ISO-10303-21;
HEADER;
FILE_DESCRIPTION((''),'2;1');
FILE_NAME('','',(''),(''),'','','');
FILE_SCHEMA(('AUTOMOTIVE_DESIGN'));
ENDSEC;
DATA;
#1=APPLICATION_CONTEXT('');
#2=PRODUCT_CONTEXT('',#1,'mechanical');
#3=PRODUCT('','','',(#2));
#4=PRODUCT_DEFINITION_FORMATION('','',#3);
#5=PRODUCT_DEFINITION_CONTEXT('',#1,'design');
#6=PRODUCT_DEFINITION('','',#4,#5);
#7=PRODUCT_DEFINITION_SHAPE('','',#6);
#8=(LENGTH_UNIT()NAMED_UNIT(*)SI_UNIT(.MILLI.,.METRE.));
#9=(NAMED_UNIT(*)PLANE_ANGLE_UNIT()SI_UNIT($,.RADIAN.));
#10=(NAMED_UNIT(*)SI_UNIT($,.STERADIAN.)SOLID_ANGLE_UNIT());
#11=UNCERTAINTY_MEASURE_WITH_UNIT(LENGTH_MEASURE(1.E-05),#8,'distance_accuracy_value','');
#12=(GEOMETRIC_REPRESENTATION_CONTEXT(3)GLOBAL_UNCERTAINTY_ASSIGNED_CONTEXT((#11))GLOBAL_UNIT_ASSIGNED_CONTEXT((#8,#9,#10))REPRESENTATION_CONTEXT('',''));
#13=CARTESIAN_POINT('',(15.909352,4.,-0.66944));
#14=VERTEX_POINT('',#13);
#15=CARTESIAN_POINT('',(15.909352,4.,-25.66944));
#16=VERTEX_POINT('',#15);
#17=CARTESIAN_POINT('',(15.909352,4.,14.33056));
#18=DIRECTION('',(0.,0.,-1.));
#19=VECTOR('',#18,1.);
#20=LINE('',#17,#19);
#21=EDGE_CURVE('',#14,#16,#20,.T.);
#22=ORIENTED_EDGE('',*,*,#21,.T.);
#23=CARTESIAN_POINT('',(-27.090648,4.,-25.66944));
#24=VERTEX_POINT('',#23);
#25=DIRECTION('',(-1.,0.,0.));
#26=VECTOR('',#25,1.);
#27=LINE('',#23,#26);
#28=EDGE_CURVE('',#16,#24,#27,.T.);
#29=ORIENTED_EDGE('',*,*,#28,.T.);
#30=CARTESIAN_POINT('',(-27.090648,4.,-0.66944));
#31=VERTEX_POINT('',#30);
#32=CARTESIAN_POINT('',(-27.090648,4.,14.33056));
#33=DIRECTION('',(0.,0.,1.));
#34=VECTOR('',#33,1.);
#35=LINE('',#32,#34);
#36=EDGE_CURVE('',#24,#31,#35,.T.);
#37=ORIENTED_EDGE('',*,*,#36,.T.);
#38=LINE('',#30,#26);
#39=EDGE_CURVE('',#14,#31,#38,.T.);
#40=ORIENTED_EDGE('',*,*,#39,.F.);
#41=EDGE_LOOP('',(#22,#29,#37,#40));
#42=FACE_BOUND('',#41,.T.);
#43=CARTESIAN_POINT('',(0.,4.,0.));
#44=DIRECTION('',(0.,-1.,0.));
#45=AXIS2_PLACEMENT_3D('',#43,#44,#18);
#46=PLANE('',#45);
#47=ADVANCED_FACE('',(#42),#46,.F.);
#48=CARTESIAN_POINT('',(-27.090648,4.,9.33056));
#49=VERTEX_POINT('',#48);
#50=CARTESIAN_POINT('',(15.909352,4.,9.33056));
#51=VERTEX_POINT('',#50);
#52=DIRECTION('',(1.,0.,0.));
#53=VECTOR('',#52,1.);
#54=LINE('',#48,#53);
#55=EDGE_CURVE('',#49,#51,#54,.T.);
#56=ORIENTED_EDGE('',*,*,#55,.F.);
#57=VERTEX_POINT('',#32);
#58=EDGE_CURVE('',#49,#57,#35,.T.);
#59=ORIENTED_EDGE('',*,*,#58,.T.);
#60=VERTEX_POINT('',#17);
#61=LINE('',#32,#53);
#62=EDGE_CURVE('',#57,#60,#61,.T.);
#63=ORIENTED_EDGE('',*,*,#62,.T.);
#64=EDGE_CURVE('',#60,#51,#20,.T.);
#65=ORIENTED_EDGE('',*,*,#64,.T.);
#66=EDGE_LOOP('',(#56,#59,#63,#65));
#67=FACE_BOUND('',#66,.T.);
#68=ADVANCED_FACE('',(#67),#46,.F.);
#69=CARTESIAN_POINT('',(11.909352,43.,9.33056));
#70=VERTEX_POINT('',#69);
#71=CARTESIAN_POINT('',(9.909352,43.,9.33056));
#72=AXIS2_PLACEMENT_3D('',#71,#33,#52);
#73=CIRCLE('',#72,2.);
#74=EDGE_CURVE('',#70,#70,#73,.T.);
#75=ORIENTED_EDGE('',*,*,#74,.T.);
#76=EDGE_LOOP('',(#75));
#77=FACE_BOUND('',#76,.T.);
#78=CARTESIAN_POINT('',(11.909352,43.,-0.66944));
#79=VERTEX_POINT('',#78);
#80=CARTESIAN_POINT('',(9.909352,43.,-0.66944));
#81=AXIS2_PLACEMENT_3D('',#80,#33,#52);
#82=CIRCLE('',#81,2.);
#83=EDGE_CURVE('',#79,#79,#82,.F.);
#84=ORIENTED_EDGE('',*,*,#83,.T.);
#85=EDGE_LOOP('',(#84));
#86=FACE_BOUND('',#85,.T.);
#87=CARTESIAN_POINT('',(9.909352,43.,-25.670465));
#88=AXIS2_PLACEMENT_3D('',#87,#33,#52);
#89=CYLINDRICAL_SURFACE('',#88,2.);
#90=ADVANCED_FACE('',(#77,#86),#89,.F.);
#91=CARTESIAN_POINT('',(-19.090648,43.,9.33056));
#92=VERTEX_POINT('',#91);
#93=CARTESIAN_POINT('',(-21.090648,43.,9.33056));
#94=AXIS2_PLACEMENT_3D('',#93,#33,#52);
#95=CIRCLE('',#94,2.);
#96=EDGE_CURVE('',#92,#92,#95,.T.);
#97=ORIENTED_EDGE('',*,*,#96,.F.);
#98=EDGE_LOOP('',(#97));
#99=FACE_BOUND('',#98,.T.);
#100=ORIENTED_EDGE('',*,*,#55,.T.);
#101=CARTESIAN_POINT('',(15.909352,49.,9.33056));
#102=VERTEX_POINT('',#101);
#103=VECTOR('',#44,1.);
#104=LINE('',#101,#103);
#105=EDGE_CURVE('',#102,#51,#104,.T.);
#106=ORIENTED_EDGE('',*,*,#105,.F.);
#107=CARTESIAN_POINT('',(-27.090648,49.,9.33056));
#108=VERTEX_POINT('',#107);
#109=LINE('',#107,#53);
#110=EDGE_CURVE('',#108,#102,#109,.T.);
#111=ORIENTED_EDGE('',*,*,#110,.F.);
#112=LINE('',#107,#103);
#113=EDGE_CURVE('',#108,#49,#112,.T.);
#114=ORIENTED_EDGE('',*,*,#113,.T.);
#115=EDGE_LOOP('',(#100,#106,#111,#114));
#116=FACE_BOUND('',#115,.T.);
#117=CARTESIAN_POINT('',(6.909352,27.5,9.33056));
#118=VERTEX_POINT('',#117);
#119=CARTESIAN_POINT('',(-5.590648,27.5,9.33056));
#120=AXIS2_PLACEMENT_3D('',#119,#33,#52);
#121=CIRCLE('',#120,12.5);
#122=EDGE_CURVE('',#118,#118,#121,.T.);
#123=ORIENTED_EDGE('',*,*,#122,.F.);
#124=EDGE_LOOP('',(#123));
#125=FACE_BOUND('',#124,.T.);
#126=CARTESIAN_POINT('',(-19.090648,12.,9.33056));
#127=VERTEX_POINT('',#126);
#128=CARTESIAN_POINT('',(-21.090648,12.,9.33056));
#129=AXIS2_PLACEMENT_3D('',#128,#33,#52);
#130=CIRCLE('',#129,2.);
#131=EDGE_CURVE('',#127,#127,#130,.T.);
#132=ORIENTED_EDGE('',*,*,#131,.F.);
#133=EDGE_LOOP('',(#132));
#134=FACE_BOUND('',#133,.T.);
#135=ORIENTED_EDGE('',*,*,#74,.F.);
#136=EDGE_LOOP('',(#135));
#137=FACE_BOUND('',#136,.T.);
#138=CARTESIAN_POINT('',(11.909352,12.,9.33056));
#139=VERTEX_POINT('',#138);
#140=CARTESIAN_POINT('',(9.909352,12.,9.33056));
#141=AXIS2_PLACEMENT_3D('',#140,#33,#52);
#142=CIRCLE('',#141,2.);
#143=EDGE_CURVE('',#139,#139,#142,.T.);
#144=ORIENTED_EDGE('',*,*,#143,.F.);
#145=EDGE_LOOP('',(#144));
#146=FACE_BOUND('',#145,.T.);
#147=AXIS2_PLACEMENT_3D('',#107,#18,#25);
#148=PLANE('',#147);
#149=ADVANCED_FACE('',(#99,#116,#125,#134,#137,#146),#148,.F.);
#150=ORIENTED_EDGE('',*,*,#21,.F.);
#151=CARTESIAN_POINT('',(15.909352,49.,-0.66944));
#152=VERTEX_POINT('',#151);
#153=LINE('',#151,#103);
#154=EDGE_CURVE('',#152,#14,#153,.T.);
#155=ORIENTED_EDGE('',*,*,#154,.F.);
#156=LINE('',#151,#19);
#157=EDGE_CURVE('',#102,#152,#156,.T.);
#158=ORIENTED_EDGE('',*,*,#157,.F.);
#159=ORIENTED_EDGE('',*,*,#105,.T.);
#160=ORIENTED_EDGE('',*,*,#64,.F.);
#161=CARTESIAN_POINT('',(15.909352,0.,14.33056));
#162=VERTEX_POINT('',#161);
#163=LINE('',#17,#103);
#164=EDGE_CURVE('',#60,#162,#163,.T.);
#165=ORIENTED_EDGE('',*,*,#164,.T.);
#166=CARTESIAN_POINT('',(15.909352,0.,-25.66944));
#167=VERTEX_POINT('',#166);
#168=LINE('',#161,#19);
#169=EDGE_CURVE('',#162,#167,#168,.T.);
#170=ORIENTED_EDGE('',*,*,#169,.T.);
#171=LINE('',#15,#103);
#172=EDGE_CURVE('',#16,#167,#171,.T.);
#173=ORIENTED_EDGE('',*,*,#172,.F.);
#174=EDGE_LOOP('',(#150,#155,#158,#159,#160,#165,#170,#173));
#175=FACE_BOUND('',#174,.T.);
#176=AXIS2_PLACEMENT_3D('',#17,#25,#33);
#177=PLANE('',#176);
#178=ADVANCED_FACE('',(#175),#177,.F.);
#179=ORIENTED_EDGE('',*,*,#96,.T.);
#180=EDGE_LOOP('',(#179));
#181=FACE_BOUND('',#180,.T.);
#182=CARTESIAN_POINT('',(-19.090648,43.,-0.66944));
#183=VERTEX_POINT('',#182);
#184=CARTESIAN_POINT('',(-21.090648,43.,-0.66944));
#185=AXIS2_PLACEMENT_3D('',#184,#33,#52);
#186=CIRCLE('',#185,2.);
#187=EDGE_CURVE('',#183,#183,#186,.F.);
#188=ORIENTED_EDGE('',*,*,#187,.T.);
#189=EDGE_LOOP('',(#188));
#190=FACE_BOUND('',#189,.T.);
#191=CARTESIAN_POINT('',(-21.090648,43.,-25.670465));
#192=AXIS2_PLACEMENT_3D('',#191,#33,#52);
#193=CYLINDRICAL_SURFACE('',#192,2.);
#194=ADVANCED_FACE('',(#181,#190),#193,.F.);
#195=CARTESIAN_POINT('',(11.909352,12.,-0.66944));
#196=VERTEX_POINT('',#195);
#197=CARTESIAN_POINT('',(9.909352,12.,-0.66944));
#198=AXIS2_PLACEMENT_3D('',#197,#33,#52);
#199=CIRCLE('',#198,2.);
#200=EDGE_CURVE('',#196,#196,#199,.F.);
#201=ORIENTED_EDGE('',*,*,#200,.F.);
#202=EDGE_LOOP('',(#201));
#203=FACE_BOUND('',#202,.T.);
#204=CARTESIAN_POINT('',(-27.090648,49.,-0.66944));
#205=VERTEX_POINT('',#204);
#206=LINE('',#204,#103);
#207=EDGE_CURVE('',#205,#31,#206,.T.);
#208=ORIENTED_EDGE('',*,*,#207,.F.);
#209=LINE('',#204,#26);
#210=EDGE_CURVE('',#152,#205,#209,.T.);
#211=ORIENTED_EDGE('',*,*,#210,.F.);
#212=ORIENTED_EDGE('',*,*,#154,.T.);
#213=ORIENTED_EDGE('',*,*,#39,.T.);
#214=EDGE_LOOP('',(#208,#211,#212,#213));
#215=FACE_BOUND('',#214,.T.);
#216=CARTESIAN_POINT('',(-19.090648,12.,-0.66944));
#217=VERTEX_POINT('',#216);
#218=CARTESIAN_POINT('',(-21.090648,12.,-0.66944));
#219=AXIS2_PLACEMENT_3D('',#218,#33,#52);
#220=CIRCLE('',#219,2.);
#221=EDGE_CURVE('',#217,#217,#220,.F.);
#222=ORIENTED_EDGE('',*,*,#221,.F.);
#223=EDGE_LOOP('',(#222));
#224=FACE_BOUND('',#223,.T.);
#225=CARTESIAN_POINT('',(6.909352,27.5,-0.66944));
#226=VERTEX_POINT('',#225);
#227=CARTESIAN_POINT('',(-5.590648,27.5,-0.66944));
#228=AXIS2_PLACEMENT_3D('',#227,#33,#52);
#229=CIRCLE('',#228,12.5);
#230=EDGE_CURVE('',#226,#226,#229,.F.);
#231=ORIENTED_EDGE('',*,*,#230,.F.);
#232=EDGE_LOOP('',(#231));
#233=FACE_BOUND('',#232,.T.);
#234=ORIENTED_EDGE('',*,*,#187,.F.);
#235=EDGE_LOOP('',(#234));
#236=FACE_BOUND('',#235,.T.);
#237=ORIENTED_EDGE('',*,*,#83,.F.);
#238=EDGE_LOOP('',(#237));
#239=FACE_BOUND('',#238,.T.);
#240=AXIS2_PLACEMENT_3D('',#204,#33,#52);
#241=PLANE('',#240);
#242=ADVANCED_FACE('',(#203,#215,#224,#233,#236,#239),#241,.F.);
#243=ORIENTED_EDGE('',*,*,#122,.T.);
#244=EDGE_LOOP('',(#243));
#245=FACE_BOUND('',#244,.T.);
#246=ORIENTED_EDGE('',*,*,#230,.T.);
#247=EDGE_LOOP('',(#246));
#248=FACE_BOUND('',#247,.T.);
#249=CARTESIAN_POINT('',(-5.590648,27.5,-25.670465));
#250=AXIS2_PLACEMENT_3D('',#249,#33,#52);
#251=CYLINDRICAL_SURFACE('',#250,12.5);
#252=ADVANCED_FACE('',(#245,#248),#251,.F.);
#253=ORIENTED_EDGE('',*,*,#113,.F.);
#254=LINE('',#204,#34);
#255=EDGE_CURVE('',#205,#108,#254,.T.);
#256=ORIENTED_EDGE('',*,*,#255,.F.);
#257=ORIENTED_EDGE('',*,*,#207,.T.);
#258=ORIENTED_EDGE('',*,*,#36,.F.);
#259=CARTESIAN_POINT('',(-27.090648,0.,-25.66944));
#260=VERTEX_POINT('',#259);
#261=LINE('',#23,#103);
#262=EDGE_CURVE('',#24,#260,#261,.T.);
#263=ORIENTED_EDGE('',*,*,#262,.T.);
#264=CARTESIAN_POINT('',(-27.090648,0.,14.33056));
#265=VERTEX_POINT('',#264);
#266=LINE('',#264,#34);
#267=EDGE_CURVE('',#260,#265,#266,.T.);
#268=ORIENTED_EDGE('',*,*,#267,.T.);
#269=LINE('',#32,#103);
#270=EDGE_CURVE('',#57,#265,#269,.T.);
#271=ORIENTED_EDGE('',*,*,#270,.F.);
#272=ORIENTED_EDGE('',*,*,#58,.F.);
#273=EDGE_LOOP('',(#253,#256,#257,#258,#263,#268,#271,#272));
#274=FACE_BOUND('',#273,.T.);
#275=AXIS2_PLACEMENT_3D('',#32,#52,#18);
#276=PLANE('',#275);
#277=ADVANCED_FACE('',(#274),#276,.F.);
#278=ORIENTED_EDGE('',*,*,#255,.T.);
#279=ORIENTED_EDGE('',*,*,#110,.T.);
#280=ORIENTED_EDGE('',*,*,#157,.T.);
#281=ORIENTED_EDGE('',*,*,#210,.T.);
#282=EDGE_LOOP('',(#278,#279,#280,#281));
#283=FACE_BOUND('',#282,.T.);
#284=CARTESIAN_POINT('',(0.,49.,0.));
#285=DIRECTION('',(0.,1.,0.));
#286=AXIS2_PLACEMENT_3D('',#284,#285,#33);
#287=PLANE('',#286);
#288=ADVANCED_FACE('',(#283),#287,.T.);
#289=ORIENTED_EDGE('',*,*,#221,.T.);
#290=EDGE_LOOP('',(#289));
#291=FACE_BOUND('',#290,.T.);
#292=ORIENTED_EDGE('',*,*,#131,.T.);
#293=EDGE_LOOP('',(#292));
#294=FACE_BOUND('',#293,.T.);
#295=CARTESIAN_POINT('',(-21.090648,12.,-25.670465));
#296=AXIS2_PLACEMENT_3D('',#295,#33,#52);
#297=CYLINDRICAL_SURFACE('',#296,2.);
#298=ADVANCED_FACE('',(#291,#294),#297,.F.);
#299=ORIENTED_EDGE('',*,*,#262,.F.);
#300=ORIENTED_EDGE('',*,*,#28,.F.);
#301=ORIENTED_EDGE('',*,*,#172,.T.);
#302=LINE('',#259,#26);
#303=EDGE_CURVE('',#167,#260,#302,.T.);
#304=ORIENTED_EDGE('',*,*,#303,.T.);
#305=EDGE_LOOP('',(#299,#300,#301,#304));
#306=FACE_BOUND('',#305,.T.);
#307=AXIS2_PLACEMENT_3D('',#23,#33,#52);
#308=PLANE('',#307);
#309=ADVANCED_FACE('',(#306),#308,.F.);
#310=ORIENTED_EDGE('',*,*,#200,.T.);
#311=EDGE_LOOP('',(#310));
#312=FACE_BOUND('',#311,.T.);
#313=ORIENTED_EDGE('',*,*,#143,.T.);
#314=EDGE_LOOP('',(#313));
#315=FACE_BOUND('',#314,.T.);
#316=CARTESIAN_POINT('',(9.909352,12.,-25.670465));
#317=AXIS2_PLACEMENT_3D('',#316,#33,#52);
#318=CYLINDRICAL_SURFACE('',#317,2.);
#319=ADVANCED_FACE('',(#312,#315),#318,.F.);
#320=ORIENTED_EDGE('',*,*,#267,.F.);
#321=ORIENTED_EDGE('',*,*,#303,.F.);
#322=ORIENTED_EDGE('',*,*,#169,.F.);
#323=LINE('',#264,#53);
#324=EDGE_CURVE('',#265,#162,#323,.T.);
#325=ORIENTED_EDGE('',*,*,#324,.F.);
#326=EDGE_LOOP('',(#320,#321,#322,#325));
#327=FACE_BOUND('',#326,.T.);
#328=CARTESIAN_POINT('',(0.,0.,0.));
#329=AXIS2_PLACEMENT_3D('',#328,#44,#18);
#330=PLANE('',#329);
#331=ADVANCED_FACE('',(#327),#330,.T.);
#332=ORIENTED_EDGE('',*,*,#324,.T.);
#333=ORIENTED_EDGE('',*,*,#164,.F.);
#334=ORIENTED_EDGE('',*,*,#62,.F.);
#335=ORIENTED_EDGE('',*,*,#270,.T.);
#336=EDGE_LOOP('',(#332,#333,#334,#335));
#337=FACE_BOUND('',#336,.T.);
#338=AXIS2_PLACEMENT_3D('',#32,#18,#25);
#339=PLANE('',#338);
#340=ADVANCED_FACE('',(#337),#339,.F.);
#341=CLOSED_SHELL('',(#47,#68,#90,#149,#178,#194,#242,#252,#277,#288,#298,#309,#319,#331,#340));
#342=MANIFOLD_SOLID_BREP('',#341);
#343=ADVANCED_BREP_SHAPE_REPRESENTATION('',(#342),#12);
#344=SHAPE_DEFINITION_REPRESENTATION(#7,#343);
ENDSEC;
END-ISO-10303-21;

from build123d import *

# Parameters (mm, degrees)
SKETCH1_W           = 43
SKETCH1_H           = 40
BOSS_EXTRUDE1_DEPTH = 4
SKETCH2_W           = 43
SKETCH2_H           = 10
BOSS_EXTRUDE2_DEPTH = 45
CUT_EXTRUDE1_REACH  = 68.03
SKETCH3_R           = 12.5
SKETCH3_R_2         = 2


with BuildPart() as part:
    # Sketch1 → Boss-Extrude1 (new body)
    with BuildSketch(Plane(origin=(0, 0, 0), x_dir=(1, 0, 0), z_dir=(0, 1, 0))):
        with Locations((-5.590648476, 5.669439574)):
            Rectangle(SKETCH1_W, SKETCH1_H)
    extrude(amount=BOSS_EXTRUDE1_DEPTH)

    # Sketch2 → Boss-Extrude2 (add)
    with BuildSketch(Plane(origin=(0, 4, 0), x_dir=(1, 0, 0), z_dir=(0, 1, 0))):
        with Locations((-5.590648476, -4.330560426)):
            Rectangle(SKETCH2_W, SKETCH2_H)
    extrude(amount=BOSS_EXTRUDE2_DEPTH)

    # Sketch3 → Cut-Extrude1 (cut, up to next)
    with BuildSketch(Plane.XY.offset(9.330560426), mode=Mode.PRIVATE) as cut_extrude1_sk1:
        with Locations((-5.590648476, 27.5)):
            Circle(SKETCH3_R)
    cut_extrude1_tool1 = extrude(cut_extrude1_sk1.sketch, amount=-CUT_EXTRUDE1_REACH, mode=Mode.PRIVATE) & part.part
    # Sketch3 → Cut-Extrude1 (cut, up to next)
    with BuildSketch(Plane.XY.offset(9.330560426), mode=Mode.PRIVATE) as cut_extrude1_sk2:
        with Locations((-21.090648476, 43)):
            Circle(SKETCH3_R_2)
    cut_extrude1_tool2 = extrude(cut_extrude1_sk2.sketch, amount=-CUT_EXTRUDE1_REACH, mode=Mode.PRIVATE) & part.part
    # Sketch3 → Cut-Extrude1 (cut, up to next)
    with BuildSketch(Plane.XY.offset(9.330560426), mode=Mode.PRIVATE) as cut_extrude1_sk3:
        with Locations((9.909351524, 43)):
            Circle(SKETCH3_R_2)
    cut_extrude1_tool3 = extrude(cut_extrude1_sk3.sketch, amount=-CUT_EXTRUDE1_REACH, mode=Mode.PRIVATE) & part.part
    # Sketch3 → Cut-Extrude1 (cut, up to next)
    with BuildSketch(Plane.XY.offset(9.330560426), mode=Mode.PRIVATE) as cut_extrude1_sk4:
        with Locations((9.909351524, 12)):
            Circle(SKETCH3_R_2)
    cut_extrude1_tool4 = extrude(cut_extrude1_sk4.sketch, amount=-CUT_EXTRUDE1_REACH, mode=Mode.PRIVATE) & part.part
    # Sketch3 → Cut-Extrude1 (cut, up to next)
    with BuildSketch(Plane.XY.offset(9.330560426), mode=Mode.PRIVATE) as cut_extrude1_sk5:
        with Locations((-21.090648476, 12)):
            Circle(SKETCH3_R_2)
    cut_extrude1_tool5 = extrude(cut_extrude1_sk5.sketch, amount=-CUT_EXTRUDE1_REACH, mode=Mode.PRIVATE) & part.part
    add(cut_extrude1_tool1.solids().sort_by_distance((-5.590648, 27.5, 9.33056))[0], mode=Mode.SUBTRACT)
    add(cut_extrude1_tool2.solids().sort_by_distance((-21.090648, 43, 9.33056))[0], mode=Mode.SUBTRACT)
    add(cut_extrude1_tool3.solids().sort_by_distance((9.909352, 43, 9.33056))[0], mode=Mode.SUBTRACT)
    add(cut_extrude1_tool4.solids().sort_by_distance((9.909352, 12, 9.33056))[0], mode=Mode.SUBTRACT)
    add(cut_extrude1_tool5.solids().sort_by_distance((-21.090648, 12, 9.33056))[0], mode=Mode.SUBTRACT)


solid = part.part
